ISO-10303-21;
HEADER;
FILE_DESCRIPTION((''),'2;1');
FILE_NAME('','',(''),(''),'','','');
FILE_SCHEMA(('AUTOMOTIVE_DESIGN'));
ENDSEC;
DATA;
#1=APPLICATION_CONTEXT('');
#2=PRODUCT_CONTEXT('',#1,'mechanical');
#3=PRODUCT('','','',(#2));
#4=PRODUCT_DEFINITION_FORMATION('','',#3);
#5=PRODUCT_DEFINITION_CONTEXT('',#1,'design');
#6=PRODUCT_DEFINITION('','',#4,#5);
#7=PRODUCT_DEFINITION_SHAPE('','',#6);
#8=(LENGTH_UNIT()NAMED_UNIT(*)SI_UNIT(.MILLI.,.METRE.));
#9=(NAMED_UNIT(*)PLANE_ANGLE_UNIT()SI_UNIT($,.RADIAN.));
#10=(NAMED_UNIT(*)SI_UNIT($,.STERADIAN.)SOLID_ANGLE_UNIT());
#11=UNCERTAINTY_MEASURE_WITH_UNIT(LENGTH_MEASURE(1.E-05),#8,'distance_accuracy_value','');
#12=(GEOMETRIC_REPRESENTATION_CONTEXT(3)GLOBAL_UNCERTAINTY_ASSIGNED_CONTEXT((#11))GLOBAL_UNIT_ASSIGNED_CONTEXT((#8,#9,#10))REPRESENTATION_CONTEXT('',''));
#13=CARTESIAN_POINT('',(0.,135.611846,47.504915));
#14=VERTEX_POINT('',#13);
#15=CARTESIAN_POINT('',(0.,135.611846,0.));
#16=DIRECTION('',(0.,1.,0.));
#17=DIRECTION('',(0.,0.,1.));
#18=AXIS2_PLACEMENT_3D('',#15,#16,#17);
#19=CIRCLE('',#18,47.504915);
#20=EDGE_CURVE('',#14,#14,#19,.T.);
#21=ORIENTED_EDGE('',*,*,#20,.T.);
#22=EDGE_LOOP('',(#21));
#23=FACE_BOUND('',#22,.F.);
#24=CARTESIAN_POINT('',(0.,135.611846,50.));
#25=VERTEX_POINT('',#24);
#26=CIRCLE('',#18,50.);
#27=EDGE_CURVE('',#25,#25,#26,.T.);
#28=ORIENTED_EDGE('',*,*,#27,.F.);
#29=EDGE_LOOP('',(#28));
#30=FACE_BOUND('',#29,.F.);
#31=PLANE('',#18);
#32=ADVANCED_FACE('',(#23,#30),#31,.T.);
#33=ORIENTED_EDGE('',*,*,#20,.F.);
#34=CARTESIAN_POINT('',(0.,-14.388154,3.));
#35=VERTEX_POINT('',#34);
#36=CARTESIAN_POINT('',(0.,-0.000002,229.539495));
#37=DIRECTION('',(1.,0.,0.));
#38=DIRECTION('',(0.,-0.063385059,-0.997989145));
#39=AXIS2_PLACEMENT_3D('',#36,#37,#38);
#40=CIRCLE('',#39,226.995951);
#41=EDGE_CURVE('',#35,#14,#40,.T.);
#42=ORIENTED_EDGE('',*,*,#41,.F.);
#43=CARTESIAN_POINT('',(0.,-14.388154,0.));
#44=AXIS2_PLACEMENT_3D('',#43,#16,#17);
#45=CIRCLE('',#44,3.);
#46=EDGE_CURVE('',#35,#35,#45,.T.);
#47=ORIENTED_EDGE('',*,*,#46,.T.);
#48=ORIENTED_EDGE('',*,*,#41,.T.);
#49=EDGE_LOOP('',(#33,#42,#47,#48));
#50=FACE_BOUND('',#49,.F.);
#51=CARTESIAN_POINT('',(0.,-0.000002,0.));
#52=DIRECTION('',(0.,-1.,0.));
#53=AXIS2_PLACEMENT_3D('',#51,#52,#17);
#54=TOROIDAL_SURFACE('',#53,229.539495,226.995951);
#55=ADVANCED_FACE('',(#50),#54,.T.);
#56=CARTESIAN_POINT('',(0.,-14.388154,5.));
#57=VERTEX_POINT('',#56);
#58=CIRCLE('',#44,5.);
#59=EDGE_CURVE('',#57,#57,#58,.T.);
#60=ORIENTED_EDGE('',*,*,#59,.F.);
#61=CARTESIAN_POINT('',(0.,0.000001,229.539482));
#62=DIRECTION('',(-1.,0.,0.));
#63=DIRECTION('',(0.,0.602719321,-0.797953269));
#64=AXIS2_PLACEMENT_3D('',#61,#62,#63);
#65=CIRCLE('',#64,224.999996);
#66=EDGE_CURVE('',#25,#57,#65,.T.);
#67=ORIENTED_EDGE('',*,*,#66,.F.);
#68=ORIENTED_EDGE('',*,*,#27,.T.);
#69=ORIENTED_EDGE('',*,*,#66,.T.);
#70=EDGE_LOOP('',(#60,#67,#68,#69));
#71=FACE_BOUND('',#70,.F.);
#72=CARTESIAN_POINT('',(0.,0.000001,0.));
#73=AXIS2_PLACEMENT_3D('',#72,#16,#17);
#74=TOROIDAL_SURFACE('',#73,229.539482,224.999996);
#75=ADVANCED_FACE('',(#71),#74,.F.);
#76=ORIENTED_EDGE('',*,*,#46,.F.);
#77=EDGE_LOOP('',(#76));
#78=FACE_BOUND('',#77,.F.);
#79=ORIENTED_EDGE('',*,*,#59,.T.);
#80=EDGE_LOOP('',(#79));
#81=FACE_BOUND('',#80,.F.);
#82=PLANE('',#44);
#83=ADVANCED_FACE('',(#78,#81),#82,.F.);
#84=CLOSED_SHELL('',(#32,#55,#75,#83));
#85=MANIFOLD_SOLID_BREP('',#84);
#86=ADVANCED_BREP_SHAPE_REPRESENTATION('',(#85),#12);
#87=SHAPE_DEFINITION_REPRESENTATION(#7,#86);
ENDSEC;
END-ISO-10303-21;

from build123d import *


with BuildPart() as f1:
    # F0 (on Right) → F1 (revolve)
    with BuildSketch(Plane.YZ):
        with BuildLine():
            Line((-14.388154, 5), (-14.388154, 3))
            ThreePointArc((-14.388154, 3), (64.567544, 11.920117), (135.611846, 47.504915))
            Line((135.611846, 47.504915), (135.611846, 50))
            ThreePointArc((135.611846, 50), (64.653274, 14.028572), (-14.388154, 5))
        make_face()
    revolve(axis=Axis((0, -3.169167, 0), (0, 1, 0)))


solid = f1.part
